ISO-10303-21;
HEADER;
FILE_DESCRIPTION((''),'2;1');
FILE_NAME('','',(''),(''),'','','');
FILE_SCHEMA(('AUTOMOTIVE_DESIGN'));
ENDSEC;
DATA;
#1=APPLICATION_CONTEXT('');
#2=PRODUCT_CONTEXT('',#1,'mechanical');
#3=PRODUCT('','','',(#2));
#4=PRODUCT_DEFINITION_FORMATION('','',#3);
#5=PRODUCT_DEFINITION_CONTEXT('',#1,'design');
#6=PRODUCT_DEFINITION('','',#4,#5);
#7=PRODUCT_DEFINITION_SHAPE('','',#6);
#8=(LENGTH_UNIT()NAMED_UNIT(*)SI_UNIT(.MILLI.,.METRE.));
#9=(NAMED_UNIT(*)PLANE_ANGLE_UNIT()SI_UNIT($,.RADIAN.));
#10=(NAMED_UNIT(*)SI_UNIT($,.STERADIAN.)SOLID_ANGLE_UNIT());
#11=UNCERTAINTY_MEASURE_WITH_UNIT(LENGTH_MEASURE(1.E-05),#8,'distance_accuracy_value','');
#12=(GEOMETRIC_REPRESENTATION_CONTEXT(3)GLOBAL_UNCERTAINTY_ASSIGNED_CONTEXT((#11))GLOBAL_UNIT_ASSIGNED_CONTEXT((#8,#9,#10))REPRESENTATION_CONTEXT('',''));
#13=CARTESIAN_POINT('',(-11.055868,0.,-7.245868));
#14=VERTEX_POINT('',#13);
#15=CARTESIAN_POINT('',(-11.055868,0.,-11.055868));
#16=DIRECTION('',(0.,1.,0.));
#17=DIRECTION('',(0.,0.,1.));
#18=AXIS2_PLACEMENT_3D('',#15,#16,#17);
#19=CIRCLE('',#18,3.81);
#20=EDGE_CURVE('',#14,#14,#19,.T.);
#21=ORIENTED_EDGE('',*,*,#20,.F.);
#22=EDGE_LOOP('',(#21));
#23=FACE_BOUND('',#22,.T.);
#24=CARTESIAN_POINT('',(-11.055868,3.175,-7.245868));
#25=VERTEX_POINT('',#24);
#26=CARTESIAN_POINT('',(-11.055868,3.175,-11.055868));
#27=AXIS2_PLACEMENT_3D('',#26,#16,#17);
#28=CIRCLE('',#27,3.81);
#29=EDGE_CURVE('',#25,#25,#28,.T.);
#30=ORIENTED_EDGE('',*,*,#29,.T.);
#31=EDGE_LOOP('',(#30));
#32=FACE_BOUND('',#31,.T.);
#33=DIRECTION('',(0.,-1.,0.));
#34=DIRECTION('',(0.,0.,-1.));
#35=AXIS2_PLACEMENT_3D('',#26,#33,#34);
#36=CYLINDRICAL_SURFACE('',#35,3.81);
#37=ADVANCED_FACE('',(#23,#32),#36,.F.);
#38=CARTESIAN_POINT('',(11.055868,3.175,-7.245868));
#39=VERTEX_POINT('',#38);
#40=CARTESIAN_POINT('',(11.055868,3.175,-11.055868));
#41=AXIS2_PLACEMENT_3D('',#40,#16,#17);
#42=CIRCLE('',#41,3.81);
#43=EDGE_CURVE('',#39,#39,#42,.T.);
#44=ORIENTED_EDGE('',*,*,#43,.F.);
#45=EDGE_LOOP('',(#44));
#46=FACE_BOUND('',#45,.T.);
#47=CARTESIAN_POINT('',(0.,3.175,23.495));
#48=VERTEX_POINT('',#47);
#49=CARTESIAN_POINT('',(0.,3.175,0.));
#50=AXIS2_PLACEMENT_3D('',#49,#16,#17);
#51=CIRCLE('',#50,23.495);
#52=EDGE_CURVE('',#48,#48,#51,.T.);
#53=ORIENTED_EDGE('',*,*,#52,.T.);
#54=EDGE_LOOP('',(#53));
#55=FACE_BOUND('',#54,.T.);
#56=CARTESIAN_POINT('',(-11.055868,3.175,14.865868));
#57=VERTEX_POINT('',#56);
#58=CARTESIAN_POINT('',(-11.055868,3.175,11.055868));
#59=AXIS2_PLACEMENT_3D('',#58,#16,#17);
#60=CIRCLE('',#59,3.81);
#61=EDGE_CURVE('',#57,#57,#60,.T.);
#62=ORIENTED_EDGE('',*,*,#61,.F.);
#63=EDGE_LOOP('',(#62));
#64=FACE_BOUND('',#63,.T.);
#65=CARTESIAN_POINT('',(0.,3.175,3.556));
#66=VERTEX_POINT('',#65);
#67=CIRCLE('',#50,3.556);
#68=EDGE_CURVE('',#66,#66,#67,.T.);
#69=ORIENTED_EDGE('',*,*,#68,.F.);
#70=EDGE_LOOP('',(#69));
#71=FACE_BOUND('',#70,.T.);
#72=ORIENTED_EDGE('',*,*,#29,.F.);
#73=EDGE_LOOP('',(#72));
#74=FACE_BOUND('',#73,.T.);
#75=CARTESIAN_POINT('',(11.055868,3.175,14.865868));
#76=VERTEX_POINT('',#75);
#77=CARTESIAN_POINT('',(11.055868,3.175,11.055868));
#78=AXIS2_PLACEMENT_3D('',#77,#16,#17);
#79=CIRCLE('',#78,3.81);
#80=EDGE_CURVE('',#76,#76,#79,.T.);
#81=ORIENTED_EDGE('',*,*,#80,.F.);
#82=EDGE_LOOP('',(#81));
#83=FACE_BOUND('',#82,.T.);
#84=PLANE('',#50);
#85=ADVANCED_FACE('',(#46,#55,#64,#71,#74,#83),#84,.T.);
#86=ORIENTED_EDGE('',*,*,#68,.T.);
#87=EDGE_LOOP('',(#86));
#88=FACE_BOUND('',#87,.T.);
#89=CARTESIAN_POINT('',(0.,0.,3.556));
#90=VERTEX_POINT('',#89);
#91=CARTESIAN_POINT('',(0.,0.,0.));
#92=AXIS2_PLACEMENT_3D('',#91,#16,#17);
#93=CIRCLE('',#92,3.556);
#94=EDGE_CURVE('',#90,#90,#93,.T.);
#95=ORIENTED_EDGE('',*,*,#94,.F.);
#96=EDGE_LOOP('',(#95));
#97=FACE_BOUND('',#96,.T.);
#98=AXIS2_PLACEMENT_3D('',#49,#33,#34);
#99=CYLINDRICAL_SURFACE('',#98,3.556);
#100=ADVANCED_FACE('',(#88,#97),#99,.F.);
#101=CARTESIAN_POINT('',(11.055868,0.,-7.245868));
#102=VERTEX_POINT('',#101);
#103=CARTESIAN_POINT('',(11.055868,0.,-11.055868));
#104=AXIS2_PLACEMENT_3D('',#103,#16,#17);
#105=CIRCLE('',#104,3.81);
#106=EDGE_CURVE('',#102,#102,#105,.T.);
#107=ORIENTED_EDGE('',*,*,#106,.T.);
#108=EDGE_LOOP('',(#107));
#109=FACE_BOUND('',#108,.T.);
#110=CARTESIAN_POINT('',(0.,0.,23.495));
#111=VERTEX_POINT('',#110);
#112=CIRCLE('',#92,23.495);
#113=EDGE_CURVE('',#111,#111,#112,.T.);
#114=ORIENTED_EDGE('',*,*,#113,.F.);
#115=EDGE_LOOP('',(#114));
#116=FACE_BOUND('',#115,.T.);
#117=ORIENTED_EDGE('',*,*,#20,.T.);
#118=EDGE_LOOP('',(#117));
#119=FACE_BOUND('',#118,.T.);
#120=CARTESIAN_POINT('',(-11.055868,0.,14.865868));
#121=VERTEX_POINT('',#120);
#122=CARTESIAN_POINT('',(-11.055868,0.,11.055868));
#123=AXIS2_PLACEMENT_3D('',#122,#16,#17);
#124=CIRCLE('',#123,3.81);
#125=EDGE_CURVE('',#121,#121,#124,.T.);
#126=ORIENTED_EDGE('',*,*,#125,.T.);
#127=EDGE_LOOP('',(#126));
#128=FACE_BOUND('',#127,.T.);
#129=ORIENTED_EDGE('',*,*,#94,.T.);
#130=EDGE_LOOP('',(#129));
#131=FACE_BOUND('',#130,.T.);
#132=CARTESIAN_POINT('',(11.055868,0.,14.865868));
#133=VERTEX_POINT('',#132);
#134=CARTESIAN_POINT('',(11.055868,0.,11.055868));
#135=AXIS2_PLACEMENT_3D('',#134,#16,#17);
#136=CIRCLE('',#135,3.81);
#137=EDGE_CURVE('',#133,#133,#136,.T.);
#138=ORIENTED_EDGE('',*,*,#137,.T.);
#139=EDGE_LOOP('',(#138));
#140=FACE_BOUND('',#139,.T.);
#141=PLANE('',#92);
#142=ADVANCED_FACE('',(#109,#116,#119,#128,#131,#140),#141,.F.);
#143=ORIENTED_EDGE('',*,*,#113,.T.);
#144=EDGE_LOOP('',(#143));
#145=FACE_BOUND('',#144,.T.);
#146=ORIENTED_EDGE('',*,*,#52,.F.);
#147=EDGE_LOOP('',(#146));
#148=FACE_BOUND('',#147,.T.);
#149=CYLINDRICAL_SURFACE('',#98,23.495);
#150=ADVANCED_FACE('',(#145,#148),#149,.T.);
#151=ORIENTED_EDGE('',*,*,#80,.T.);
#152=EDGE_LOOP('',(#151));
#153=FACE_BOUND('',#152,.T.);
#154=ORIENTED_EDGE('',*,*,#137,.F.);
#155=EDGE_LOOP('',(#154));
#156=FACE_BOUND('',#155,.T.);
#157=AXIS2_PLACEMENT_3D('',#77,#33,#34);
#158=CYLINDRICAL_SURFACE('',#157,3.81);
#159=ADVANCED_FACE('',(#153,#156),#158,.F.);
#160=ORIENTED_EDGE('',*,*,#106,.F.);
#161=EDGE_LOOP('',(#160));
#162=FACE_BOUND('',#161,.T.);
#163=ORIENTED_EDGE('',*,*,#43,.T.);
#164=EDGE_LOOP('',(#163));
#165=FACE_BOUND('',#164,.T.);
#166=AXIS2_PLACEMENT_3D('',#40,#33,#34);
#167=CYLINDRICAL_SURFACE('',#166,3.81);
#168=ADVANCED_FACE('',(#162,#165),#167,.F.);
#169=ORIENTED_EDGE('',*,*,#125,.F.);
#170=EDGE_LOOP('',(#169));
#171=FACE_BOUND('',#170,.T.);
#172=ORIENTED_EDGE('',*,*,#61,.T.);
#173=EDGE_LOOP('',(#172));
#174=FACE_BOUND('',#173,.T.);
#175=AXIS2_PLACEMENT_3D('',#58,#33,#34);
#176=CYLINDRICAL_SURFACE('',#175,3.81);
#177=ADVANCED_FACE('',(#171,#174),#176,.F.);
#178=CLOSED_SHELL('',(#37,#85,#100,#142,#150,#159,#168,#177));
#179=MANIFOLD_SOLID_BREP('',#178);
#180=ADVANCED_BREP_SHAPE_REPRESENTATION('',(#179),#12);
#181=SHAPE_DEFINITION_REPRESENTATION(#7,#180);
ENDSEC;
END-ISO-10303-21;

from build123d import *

# Parameters (mm, degrees)
SKETCH1_R           = 23.495
SKETCH1_R_2         = 3.81
SKETCH1_R_3         = 3.556
BOSS_EXTRUDE1_DEPTH = 3.175


with BuildPart() as part:
    # Sketch1 → Boss-Extrude1 (new body)
    with BuildSketch(Plane(origin=(0, 0, 0), x_dir=(1, 0, 0), z_dir=(0, 1, 0))):
        Circle(SKETCH1_R)
        with Locations((-11.055868466, 11.055868466)):
            Circle(SKETCH1_R_2, mode=Mode.SUBTRACT)
        Circle(SKETCH1_R_3, mode=Mode.SUBTRACT)
        with Locations((11.055868466, -11.055868466)):
            Circle(SKETCH1_R_2, mode=Mode.SUBTRACT)
        with Locations((11.055868466, 11.055868466)):
            Circle(SKETCH1_R_2, mode=Mode.SUBTRACT)
        with Locations((-11.055868466, -11.055868466)):
            Circle(SKETCH1_R_2, mode=Mode.SUBTRACT)
    extrude(amount=BOSS_EXTRUDE1_DEPTH)


solid = part.part
